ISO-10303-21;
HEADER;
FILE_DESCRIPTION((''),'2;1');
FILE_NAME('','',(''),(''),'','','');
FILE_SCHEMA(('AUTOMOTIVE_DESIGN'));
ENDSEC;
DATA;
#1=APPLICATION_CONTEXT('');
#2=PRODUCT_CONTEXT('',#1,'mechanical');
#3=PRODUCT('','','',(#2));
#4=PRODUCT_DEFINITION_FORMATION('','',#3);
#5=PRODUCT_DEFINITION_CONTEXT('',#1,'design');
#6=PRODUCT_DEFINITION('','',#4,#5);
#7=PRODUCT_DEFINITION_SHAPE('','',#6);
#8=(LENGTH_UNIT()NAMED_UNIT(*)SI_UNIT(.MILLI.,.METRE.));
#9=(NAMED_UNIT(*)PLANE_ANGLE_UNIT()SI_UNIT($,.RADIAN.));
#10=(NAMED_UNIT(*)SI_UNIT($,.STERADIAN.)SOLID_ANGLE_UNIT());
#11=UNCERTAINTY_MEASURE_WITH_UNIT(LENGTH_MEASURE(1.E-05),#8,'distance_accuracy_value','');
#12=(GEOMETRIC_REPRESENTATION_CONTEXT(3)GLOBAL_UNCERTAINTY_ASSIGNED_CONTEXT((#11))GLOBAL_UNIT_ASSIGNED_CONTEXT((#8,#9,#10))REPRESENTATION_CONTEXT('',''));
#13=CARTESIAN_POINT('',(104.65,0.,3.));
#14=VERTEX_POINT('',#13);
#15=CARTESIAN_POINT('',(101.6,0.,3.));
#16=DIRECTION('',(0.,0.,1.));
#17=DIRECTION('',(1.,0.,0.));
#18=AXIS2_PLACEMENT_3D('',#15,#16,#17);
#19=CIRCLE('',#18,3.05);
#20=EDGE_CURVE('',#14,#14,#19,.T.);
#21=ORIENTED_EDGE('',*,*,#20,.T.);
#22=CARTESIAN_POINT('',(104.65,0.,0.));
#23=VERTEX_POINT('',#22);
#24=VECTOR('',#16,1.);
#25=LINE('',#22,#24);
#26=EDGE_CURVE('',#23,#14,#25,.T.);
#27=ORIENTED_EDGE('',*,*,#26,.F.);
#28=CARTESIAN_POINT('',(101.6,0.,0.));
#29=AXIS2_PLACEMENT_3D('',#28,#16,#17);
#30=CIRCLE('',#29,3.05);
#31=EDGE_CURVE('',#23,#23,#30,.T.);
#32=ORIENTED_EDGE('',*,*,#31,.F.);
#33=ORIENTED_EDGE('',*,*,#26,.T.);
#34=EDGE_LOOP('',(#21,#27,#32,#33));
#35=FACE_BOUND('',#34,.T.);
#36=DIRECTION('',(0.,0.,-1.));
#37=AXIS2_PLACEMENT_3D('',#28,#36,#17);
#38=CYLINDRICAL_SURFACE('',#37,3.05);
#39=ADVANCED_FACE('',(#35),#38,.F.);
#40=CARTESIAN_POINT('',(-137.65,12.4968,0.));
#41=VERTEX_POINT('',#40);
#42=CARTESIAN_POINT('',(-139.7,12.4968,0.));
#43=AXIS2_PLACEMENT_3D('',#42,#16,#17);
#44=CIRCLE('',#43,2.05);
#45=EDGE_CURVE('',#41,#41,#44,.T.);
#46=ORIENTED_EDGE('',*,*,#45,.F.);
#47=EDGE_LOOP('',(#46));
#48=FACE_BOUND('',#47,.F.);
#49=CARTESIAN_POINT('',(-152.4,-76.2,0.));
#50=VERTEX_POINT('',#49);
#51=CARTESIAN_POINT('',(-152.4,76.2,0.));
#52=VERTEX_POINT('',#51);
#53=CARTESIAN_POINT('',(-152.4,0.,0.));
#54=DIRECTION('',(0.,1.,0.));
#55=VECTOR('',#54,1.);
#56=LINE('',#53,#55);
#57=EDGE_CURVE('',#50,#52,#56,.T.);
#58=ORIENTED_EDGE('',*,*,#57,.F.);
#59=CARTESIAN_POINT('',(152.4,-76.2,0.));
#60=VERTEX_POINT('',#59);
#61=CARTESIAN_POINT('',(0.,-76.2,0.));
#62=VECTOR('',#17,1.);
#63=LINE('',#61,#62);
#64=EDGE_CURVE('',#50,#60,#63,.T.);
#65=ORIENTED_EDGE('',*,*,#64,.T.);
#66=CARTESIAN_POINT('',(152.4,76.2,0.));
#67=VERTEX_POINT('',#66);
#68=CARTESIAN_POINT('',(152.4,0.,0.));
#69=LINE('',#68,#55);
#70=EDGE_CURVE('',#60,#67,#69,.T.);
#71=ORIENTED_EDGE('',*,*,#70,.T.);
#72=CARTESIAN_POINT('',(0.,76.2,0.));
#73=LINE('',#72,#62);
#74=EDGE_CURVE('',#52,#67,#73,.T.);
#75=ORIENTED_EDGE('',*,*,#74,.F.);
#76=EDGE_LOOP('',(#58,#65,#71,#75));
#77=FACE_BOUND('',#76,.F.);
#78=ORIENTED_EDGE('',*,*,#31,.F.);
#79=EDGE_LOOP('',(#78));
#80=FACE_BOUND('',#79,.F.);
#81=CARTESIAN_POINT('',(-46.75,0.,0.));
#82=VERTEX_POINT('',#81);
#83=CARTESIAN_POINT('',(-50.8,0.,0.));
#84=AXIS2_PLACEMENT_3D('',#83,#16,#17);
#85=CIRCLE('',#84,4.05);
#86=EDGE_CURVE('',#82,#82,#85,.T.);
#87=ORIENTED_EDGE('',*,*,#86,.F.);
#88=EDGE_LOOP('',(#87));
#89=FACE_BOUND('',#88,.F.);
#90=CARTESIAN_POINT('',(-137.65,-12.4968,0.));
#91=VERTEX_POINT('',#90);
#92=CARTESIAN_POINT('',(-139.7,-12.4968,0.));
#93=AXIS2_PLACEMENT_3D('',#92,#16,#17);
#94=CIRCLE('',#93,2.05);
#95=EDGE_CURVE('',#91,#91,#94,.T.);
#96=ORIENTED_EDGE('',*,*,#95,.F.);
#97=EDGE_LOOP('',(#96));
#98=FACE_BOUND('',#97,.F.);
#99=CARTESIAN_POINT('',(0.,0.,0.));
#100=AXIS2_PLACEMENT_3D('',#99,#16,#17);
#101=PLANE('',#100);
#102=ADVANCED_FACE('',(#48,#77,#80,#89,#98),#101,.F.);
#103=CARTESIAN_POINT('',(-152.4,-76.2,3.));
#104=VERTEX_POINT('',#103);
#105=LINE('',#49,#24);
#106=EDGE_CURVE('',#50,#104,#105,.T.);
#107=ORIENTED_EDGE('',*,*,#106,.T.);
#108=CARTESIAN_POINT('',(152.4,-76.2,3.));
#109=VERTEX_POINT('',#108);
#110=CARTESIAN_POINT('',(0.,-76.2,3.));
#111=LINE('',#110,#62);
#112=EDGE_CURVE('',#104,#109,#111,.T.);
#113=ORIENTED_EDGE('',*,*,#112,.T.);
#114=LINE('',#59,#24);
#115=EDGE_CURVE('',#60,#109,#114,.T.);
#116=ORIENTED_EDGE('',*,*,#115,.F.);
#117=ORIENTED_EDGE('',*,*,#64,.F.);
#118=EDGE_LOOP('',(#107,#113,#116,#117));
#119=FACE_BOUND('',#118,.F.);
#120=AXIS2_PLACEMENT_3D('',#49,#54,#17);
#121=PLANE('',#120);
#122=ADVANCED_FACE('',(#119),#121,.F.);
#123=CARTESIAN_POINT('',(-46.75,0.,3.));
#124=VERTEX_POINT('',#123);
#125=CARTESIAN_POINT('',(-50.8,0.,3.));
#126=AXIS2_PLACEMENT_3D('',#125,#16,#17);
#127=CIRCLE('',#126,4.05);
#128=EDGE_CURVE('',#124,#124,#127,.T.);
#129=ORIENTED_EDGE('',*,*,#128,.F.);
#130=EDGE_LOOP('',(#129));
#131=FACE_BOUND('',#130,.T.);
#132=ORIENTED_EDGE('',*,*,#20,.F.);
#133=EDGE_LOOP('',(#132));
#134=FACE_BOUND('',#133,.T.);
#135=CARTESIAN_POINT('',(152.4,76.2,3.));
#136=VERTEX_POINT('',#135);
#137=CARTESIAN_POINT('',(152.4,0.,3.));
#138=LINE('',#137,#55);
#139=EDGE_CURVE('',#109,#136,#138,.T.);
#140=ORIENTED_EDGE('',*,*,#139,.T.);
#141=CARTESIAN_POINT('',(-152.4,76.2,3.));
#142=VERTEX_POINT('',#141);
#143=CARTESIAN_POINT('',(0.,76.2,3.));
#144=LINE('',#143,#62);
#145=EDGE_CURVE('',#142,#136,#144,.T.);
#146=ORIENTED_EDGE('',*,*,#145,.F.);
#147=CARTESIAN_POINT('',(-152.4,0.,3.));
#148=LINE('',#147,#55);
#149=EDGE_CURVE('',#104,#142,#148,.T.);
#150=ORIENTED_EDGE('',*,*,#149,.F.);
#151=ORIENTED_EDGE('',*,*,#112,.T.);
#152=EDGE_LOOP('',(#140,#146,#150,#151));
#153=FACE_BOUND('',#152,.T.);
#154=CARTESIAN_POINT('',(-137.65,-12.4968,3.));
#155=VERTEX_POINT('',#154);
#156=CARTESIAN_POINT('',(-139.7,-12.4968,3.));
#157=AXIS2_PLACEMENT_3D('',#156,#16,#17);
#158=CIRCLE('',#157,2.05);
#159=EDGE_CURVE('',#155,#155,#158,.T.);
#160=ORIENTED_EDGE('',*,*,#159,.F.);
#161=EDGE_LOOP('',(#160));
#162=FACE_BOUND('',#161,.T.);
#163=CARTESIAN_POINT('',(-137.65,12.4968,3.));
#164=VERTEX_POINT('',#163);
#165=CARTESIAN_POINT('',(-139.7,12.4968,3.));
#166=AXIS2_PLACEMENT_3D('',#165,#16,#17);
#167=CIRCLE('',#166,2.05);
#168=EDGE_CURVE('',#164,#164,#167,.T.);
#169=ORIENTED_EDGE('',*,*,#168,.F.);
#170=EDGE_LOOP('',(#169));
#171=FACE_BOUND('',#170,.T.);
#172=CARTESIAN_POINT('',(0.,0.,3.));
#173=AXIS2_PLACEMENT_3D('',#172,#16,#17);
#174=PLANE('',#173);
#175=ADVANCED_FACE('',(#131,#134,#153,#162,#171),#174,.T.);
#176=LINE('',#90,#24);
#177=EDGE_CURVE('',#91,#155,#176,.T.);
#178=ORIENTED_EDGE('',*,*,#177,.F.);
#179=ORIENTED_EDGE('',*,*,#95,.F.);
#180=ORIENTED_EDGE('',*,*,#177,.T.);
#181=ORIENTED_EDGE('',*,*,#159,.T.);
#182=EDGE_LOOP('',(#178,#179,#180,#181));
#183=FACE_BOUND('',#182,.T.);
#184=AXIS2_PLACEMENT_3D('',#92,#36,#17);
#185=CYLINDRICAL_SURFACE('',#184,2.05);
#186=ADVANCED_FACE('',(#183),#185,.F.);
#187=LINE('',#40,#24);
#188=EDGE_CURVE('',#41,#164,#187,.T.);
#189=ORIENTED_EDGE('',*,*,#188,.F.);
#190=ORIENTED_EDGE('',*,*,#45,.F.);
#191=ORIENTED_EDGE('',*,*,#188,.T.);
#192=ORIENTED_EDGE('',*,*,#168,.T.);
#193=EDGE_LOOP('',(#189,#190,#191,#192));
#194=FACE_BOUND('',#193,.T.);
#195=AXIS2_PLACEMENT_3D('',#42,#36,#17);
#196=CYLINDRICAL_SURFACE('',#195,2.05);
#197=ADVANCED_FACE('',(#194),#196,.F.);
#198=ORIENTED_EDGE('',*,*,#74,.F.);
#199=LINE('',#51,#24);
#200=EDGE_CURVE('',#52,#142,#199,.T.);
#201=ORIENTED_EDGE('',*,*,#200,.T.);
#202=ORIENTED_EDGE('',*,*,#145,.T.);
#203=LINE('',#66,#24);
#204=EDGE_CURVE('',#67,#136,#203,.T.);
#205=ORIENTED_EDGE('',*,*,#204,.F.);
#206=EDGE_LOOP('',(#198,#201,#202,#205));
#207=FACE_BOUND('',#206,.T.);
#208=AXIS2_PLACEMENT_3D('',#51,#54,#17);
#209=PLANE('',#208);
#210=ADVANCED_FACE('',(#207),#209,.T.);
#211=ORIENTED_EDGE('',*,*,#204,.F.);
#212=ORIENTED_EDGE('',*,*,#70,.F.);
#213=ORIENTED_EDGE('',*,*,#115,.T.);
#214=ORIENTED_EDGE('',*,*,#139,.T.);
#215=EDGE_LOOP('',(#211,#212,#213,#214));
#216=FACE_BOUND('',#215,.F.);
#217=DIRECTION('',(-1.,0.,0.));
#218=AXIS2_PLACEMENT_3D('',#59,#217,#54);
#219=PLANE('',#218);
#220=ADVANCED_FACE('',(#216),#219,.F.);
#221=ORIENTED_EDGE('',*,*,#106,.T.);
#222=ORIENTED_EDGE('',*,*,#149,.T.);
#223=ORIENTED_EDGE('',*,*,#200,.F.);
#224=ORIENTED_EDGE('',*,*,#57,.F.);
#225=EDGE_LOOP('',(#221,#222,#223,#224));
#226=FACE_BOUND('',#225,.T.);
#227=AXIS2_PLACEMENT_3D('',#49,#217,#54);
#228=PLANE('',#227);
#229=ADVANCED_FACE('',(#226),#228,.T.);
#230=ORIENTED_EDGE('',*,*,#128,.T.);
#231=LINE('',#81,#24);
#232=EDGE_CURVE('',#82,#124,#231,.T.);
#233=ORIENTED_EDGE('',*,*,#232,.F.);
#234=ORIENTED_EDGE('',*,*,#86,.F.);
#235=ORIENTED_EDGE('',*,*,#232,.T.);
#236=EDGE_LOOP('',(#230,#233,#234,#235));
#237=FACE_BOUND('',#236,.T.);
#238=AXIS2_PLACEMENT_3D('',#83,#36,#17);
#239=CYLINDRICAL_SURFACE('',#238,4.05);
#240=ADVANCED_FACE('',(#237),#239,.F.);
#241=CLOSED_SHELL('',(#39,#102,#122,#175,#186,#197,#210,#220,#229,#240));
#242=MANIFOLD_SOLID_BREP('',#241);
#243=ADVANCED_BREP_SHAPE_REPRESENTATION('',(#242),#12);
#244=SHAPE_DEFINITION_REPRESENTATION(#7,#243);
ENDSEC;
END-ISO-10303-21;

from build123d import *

# Parameters (mm, degrees)
F0_W     = 304.8
F0_H     = 152.4
F0_R     = 2.05
F0_R_2   = 4.05
F0_R_3   = 3.05
F1_DEPTH = 3


with BuildPart() as f1:
    # F0 (on Top) → F1 (new body)
    with BuildSketch(Plane.XY):
        Rectangle(F0_W, F0_H)
        with Locations((-139.7, -12.4968)):
            Circle(F0_R, mode=Mode.SUBTRACT)
        with Locations((-139.7, 12.4968)):
            Circle(F0_R, mode=Mode.SUBTRACT)
        with Locations((-50.8, 0)):
            Circle(F0_R_2, mode=Mode.SUBTRACT)
        with Locations((101.6, 0)):
            Circle(F0_R_3, mode=Mode.SUBTRACT)
    extrude(amount=F1_DEPTH)


solid = f1.part
